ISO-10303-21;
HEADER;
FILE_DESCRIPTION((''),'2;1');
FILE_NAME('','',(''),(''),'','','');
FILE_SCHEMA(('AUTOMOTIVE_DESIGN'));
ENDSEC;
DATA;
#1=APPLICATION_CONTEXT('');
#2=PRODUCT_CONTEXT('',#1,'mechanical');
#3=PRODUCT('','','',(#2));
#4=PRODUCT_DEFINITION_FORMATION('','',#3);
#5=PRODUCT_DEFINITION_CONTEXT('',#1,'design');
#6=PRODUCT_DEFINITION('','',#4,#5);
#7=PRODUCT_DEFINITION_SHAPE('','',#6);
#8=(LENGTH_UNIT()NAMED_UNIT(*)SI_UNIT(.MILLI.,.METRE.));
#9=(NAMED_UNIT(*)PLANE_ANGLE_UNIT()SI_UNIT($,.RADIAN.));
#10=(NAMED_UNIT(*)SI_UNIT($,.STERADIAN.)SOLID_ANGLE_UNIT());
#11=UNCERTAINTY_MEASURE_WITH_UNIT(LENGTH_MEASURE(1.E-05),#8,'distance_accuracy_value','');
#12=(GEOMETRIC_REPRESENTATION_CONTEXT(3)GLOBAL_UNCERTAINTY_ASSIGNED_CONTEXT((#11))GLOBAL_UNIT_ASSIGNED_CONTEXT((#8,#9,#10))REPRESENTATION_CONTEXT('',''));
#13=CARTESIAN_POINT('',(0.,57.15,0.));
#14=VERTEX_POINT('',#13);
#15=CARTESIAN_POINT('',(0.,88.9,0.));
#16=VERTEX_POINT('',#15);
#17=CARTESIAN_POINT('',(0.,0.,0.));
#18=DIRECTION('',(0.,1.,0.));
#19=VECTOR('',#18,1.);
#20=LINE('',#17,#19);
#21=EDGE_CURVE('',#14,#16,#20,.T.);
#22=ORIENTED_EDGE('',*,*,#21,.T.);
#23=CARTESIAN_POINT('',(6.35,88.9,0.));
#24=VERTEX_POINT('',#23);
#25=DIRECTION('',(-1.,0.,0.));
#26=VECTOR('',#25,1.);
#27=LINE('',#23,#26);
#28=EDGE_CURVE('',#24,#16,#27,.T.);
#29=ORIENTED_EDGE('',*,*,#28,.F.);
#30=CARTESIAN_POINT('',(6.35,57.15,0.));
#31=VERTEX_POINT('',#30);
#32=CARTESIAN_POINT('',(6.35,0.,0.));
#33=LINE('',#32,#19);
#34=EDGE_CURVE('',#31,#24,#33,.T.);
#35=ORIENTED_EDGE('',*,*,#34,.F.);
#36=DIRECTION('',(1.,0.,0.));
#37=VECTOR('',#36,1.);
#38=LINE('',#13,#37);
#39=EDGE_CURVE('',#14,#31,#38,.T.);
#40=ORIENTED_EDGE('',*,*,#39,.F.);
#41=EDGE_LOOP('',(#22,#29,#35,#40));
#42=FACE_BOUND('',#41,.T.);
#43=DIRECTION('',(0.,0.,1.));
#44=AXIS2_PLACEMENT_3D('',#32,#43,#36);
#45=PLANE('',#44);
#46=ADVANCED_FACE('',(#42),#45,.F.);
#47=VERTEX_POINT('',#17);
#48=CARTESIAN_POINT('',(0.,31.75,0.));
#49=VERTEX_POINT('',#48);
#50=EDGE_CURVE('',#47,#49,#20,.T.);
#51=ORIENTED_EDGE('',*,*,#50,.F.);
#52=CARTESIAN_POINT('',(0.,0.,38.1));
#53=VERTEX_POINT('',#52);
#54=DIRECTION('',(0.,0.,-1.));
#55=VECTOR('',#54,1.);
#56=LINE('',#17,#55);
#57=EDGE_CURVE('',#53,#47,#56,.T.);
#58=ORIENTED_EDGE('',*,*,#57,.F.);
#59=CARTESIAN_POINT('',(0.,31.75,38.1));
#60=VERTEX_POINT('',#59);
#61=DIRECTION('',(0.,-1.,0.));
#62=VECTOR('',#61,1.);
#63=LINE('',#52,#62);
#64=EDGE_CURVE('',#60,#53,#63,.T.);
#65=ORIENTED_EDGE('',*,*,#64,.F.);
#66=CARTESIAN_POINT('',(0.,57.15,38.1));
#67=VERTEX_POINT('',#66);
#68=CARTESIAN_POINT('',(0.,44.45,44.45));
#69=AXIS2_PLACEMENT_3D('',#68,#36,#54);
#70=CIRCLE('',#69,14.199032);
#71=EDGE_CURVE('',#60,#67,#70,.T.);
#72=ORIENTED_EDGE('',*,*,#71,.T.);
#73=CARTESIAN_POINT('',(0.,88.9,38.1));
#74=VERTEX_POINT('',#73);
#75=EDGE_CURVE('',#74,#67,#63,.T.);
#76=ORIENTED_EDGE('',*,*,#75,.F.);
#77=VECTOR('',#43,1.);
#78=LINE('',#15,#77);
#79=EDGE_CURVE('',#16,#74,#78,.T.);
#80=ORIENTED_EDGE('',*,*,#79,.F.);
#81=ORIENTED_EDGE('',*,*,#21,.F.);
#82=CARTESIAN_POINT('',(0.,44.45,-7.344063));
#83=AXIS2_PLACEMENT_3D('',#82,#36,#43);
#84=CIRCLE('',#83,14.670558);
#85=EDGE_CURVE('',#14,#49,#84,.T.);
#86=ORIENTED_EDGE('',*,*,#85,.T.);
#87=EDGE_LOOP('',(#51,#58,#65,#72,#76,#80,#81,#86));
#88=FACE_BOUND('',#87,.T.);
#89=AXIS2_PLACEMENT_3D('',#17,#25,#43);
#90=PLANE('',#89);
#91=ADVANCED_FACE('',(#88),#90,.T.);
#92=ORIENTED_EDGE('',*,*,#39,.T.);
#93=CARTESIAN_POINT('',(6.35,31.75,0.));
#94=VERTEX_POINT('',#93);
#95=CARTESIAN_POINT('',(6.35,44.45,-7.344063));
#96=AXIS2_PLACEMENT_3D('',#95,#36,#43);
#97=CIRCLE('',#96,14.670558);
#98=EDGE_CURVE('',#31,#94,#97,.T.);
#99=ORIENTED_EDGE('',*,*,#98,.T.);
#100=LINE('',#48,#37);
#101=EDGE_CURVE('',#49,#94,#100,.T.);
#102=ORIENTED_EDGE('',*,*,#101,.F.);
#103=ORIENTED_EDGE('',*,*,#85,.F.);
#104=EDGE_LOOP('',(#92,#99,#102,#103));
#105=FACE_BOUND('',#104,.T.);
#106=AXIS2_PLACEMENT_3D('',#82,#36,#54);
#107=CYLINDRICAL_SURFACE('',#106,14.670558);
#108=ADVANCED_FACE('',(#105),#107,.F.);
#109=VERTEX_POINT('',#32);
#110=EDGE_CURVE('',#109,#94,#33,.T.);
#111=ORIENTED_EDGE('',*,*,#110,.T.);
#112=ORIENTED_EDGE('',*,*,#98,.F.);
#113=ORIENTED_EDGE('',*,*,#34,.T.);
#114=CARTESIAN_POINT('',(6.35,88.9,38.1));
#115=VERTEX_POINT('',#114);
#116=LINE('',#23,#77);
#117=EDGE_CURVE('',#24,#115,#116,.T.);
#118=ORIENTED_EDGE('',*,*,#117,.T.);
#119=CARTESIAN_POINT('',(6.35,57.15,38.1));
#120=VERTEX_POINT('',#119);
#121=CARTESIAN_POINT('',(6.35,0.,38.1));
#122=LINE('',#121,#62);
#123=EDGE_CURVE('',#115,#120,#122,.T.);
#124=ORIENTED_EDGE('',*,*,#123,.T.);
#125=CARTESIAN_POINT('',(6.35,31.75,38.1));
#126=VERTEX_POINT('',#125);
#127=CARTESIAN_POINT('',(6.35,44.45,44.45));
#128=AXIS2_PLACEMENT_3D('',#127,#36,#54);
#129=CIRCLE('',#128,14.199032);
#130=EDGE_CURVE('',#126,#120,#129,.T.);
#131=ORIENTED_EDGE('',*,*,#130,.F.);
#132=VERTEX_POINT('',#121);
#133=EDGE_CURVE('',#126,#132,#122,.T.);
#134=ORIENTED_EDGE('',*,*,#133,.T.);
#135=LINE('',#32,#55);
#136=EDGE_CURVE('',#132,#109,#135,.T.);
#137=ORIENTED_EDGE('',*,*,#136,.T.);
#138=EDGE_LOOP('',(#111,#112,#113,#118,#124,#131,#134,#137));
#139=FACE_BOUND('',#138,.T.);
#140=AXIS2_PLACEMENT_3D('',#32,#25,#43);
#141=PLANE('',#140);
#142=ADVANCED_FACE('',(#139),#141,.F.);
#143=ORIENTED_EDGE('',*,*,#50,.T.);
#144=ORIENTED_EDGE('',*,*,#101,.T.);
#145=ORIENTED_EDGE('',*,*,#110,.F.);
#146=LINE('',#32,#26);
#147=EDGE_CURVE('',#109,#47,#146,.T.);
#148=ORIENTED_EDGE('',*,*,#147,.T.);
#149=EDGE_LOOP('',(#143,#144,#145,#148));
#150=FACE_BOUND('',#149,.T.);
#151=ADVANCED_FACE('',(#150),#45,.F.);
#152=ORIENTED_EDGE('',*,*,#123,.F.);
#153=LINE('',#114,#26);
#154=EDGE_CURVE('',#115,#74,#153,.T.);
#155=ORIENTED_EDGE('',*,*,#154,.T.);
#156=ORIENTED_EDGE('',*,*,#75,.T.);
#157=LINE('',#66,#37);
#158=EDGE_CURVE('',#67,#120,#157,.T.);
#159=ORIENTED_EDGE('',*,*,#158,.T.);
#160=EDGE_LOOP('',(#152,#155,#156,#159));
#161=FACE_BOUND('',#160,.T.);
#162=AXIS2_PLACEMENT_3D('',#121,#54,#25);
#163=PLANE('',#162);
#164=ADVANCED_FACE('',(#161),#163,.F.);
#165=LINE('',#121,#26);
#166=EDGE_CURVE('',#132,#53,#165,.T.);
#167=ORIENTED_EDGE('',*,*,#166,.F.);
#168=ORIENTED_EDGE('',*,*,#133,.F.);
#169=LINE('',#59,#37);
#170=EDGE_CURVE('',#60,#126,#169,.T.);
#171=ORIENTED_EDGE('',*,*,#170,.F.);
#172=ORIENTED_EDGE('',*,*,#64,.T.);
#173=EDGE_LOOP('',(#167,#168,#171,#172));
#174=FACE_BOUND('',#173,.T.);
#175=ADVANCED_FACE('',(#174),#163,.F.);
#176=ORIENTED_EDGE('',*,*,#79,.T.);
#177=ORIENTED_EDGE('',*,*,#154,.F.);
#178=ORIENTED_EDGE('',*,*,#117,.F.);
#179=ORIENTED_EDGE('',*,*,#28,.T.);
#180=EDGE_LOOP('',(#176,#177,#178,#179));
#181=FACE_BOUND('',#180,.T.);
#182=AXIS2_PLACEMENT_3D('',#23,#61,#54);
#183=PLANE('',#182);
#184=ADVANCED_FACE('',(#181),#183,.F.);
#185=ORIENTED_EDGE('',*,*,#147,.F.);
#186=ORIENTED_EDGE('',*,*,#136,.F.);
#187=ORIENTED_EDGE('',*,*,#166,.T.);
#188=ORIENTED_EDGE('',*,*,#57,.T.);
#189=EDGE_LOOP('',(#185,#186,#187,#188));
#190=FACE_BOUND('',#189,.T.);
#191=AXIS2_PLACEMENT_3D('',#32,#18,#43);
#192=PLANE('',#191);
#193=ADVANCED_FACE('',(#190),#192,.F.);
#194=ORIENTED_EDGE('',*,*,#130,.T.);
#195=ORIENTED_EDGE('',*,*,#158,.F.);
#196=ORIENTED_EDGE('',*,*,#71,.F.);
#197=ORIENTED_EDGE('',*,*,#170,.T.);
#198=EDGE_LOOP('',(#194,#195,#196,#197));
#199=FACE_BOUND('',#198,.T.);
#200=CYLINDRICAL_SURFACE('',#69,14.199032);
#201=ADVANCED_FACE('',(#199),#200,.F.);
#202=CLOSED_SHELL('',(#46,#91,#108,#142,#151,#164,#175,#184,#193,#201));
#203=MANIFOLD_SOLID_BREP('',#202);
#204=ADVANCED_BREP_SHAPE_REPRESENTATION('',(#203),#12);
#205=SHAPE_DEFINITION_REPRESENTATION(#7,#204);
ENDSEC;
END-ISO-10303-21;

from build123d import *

# Parameters (mm, degrees)
SKETCH1_W           = 88.9
SKETCH1_H           = 38.1
BOSS_EXTRUDE1_DEPTH = 6.35
CUT_EXTRUDE2_DEPTH  = 6.35


with BuildPart() as part:
    # Sketch1 → Boss-Extrude1 (new body)
    with BuildSketch(Plane.YZ):
        with Locations((44.45, 19.05)):
            Rectangle(SKETCH1_W, SKETCH1_H)
    extrude(amount=BOSS_EXTRUDE1_DEPTH)

    # Sketch2 → Cut-Extrude2 (cut)
    with BuildSketch(Plane.YZ.offset(6.35)):
        with BuildLine():
            Line((31.75, 38.1), (57.15, 38.1))
            ThreePointArc((57.15, 38.1), (44.45, 30.250968343), (31.75, 38.1))
        make_face()
        with BuildLine():
            Line((31.75, 0), (57.15, 0))
            ThreePointArc((57.15, 0), (44.45, 7.326494526), (31.75, 0))
        make_face()
    extrude(amount=-CUT_EXTRUDE2_DEPTH, mode=Mode.SUBTRACT)


solid = part.part
